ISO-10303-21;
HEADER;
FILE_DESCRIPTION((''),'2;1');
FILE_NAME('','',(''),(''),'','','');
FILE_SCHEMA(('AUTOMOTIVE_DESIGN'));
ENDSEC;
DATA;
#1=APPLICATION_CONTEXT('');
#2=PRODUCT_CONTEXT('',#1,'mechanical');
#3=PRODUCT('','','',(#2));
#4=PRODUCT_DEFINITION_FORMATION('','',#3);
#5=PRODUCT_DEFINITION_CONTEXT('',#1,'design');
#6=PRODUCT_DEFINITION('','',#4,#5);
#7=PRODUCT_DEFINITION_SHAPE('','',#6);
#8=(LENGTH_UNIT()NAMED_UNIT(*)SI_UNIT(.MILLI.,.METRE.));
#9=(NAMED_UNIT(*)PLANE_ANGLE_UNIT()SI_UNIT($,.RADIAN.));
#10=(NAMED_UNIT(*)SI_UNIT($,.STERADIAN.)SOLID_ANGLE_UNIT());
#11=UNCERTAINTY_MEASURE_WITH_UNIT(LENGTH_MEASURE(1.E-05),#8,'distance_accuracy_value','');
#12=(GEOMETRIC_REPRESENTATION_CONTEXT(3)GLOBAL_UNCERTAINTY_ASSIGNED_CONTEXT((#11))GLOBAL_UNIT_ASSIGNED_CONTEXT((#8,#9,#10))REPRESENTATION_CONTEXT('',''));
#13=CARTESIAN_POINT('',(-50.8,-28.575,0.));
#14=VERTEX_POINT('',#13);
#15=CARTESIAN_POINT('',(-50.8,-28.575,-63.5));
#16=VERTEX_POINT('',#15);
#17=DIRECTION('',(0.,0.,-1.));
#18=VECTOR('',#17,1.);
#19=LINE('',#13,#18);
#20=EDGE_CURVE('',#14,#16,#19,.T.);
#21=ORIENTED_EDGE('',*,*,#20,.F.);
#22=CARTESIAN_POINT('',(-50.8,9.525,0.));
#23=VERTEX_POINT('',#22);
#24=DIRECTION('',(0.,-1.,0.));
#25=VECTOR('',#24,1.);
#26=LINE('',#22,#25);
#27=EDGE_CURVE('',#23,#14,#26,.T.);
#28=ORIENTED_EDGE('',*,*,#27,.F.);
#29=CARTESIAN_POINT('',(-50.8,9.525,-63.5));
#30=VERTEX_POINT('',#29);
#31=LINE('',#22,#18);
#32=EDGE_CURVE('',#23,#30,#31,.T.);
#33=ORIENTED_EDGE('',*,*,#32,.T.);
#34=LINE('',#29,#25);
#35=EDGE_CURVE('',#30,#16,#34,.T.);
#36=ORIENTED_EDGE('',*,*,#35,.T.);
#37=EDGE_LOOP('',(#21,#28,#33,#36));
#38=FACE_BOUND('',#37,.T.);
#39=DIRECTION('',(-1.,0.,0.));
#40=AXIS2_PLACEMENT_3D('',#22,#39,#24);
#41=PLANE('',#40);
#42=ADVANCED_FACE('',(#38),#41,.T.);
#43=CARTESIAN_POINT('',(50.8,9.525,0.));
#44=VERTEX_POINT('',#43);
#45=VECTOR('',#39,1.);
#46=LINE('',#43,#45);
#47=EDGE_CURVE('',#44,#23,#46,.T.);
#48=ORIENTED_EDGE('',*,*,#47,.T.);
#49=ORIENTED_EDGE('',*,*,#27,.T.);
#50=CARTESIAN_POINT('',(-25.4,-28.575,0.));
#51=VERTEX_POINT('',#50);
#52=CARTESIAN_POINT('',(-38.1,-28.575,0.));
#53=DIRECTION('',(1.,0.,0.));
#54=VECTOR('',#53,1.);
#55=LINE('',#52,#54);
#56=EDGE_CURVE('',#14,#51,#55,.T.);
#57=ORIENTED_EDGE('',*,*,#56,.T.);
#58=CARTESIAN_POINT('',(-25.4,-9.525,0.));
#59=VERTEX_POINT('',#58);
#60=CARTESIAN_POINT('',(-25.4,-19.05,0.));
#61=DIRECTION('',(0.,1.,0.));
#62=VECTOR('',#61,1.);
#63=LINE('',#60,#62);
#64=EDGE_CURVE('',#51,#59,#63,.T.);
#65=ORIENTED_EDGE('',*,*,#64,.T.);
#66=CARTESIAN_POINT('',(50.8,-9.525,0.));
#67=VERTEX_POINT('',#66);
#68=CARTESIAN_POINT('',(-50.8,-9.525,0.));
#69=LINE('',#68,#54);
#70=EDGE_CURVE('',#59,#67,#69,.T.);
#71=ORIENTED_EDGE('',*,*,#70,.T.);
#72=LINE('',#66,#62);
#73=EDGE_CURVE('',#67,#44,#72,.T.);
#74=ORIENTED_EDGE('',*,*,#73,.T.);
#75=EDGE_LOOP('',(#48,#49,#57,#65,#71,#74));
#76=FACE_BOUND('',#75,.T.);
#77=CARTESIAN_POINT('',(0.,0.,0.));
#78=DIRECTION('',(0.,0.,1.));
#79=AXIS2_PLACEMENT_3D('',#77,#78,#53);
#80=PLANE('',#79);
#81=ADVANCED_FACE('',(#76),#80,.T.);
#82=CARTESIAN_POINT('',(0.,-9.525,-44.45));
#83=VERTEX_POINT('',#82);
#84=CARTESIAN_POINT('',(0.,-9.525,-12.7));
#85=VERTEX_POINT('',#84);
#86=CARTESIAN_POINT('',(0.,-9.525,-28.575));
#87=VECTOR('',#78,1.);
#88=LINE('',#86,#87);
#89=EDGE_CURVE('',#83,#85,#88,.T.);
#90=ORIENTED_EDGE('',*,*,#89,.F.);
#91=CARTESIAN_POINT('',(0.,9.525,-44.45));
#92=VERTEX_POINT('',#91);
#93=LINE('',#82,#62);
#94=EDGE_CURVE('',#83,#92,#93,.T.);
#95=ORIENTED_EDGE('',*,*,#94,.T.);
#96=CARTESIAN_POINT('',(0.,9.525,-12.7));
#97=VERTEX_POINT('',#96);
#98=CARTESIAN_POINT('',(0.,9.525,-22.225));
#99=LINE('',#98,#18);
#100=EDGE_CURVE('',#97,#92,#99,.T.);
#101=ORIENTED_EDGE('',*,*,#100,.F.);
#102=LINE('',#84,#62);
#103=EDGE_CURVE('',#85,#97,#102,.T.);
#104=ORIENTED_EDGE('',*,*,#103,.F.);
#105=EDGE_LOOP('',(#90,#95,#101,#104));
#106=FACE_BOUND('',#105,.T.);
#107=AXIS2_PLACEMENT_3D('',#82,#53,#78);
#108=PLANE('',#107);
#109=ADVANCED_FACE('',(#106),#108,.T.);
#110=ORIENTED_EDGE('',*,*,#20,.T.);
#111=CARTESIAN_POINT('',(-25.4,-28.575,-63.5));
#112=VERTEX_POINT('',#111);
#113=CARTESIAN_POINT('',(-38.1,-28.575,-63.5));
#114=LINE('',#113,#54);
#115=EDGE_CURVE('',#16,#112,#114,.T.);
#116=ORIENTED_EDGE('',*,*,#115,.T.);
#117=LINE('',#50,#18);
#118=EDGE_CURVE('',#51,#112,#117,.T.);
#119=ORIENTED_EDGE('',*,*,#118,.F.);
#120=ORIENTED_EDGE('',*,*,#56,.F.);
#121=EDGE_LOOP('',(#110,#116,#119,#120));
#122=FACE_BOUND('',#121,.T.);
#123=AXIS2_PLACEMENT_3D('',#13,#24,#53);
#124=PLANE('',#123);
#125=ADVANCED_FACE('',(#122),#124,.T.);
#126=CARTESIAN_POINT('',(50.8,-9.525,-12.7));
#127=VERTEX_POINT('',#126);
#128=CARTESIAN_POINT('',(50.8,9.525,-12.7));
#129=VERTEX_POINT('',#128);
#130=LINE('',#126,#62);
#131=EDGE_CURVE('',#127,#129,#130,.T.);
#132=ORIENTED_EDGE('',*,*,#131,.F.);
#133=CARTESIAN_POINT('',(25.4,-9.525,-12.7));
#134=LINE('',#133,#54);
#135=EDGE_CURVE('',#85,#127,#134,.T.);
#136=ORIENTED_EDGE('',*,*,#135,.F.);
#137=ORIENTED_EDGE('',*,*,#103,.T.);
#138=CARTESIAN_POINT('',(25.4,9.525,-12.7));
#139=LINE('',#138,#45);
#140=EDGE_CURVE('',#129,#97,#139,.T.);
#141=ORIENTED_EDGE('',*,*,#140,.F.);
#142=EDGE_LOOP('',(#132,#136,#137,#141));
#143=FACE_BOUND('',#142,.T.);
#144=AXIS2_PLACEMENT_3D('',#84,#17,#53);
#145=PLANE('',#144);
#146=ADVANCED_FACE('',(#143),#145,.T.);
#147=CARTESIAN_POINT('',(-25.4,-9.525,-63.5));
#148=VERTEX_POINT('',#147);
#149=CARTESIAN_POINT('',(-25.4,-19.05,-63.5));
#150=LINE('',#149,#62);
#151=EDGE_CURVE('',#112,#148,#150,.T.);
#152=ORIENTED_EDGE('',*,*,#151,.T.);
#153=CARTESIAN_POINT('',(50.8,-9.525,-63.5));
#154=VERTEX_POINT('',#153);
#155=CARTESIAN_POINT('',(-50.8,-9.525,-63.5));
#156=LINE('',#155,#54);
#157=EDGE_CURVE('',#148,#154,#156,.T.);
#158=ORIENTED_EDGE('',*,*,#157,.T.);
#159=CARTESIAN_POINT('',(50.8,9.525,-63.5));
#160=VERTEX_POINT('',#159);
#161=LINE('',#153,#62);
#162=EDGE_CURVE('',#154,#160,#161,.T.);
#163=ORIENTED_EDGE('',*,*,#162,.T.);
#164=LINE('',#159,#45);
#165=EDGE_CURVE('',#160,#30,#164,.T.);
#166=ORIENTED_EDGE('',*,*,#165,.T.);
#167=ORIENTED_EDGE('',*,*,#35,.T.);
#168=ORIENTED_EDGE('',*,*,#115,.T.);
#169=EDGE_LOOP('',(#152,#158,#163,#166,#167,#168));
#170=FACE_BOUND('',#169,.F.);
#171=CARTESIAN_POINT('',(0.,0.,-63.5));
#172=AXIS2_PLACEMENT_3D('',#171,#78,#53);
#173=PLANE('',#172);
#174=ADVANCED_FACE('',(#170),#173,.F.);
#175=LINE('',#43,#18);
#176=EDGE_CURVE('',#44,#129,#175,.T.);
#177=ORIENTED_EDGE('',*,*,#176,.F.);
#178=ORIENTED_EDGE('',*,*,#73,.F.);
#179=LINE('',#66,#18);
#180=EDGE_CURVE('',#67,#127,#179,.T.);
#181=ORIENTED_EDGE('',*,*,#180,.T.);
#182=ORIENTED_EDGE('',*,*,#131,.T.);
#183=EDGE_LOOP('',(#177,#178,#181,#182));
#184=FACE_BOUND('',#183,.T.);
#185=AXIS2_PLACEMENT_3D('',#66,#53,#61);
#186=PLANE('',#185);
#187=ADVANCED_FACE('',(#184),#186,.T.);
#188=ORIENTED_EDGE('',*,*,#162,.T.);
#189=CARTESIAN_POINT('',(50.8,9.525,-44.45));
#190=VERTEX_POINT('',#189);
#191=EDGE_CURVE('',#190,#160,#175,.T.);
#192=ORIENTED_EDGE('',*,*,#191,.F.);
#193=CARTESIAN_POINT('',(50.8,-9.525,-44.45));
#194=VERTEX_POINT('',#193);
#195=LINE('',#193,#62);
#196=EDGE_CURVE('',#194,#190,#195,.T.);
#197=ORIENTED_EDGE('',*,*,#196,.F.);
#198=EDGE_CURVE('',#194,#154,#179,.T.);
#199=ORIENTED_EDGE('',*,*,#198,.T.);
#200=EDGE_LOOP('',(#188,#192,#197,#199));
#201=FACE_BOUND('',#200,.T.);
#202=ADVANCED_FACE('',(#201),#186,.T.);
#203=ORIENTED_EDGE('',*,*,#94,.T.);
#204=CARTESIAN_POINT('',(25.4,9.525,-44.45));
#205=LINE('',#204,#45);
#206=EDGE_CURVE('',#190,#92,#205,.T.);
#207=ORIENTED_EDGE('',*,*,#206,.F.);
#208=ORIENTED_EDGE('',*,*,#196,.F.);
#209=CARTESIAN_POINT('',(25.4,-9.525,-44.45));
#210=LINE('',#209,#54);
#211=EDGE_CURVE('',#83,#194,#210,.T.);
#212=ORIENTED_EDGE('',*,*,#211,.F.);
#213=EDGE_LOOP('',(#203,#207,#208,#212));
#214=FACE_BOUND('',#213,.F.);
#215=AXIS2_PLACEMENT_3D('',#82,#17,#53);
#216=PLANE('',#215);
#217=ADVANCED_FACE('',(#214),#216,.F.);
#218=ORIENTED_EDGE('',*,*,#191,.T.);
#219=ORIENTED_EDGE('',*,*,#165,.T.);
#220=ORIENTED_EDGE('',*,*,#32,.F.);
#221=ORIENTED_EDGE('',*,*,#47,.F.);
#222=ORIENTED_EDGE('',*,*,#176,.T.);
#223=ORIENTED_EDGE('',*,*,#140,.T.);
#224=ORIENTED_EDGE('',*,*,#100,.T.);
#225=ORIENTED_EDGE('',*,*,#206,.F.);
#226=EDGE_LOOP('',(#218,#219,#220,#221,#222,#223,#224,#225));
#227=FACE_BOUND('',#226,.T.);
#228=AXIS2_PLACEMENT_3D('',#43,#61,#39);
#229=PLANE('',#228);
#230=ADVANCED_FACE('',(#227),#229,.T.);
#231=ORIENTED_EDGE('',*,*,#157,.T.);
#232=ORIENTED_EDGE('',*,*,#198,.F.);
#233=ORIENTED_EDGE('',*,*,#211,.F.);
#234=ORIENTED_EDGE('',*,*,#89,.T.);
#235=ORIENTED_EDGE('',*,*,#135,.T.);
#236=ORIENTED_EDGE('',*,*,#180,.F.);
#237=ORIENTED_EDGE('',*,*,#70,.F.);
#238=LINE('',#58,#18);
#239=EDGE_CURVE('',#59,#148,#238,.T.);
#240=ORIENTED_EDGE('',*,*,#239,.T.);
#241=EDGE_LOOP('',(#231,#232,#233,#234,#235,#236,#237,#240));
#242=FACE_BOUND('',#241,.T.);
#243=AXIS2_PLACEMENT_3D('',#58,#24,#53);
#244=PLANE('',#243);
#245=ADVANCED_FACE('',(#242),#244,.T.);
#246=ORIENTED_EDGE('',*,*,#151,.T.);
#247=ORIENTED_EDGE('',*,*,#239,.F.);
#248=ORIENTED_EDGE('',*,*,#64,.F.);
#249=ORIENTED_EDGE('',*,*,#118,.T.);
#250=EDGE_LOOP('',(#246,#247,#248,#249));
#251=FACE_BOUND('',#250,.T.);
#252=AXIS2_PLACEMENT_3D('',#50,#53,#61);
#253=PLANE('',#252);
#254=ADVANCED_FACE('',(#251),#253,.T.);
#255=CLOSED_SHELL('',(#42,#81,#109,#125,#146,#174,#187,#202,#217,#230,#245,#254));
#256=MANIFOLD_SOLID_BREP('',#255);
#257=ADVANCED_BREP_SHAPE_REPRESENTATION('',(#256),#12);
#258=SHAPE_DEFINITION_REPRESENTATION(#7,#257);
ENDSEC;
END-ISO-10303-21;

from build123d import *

# Parameters (mm, degrees)
F0_W     = 25.4
F0_H     = 19.05
F1_DEPTH = 63.5
F2_W     = 50.8
F2_H     = 31.75
F3_DEPTH = 19.051


with BuildPart() as f1:
    # F0 (on Top) → F1 (new body)
    with BuildSketch(Plane.XY):
        Polygon((50.8, 9.525), (-50.8, 9.525), (-50.8, -9.525), (-25.4, -9.525), (50.8, -9.525), align=None)
        with Locations((-38.1, -19.05)):
            Rectangle(F0_W, F0_H)
    extrude(amount=-F1_DEPTH)

    # F2 (on face) → F3 (cut, through all)
    with BuildSketch(Plane.XZ.offset(9.525)):
        with Locations((25.4, -28.575)):
            Rectangle(F2_W, F2_H)
    extrude(amount=-F3_DEPTH, mode=Mode.SUBTRACT)


solid = f1.part
